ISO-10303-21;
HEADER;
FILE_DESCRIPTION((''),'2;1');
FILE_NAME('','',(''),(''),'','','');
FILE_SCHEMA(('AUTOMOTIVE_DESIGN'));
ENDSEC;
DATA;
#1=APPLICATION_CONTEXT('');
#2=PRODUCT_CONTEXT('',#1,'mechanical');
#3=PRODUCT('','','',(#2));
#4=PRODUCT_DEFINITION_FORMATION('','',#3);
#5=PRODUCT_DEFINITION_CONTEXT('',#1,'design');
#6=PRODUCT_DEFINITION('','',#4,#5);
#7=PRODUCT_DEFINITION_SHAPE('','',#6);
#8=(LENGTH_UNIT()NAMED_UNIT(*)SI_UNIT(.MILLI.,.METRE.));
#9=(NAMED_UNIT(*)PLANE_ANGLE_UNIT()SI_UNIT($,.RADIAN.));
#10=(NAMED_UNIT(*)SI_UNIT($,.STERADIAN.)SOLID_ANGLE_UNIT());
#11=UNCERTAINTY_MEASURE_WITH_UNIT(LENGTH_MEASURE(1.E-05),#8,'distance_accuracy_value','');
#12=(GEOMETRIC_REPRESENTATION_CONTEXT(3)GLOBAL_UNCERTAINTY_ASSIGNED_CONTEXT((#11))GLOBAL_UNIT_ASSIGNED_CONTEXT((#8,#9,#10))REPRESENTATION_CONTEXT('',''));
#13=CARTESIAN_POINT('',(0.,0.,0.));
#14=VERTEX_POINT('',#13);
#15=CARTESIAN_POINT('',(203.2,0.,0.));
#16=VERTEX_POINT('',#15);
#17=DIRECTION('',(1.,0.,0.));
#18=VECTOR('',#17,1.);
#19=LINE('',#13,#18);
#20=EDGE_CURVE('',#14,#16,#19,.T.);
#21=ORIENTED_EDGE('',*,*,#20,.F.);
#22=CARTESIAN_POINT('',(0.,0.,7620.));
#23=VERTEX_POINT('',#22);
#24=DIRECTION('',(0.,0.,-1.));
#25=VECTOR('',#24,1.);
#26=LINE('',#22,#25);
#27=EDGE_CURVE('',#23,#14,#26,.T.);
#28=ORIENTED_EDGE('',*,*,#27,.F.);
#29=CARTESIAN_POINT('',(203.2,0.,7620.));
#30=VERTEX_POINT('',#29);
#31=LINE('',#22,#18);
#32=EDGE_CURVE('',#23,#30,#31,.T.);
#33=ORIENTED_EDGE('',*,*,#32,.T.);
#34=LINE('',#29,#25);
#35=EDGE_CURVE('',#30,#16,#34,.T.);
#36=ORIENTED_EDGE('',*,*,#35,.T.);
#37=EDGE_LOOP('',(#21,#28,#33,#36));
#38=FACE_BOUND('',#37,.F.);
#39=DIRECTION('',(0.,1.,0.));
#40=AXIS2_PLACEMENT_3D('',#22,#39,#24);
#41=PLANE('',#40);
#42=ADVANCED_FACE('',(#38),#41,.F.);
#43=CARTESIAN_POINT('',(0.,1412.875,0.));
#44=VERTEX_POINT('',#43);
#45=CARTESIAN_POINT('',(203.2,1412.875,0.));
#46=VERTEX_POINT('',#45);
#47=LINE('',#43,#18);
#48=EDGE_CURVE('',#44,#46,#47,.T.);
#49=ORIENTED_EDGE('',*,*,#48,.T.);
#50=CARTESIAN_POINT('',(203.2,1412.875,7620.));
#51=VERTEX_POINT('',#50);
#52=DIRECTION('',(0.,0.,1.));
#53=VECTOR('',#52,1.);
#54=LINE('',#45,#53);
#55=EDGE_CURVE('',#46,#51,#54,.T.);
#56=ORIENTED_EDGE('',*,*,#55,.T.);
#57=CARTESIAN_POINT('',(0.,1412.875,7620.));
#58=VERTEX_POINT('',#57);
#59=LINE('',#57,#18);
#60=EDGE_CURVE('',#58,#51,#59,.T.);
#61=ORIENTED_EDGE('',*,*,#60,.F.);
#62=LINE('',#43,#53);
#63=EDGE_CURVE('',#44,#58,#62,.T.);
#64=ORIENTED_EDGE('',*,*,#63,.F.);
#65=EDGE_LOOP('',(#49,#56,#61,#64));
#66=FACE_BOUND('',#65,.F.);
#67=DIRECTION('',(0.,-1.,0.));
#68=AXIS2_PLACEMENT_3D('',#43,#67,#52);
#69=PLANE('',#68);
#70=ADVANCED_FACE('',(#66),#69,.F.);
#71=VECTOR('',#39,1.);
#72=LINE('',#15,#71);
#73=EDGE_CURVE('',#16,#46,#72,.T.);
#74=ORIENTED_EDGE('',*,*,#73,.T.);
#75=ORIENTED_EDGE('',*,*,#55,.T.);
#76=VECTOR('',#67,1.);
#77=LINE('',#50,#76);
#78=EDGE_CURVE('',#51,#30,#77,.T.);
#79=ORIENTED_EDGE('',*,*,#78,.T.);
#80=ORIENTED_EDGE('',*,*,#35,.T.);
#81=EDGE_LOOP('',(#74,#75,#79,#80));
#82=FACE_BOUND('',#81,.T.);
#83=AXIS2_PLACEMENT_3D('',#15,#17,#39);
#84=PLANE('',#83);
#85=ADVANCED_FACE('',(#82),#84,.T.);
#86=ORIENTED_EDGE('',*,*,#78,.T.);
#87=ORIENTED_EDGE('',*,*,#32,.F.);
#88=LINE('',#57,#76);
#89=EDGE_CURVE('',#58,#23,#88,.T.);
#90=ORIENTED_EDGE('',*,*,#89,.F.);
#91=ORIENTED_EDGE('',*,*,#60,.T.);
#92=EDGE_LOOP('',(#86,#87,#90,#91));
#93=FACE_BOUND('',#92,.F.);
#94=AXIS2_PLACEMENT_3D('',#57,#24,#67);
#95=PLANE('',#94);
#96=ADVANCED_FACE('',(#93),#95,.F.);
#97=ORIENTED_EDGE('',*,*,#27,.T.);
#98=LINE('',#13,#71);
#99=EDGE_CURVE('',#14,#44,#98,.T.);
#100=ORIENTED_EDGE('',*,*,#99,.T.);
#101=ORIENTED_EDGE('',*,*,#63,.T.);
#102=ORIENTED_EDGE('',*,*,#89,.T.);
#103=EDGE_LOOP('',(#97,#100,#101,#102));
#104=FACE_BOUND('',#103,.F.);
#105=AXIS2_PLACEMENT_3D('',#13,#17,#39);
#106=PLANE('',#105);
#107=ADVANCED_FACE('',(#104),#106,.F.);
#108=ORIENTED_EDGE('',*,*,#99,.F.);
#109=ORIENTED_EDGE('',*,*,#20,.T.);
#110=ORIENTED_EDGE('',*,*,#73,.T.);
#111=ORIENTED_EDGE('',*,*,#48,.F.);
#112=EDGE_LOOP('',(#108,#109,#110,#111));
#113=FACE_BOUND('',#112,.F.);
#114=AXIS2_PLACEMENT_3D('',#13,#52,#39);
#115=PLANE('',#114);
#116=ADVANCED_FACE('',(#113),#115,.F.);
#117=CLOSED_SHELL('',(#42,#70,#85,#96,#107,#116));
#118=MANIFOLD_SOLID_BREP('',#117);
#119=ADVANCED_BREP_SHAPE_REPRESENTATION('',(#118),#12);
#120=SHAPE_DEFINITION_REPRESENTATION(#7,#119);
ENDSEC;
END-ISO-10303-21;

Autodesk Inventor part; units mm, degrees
ref_plane "YZ Plane" through (0, 0, 0) normal (1, 0, 0) x (0, 1, 0)
ref_plane "XZ Plane" through (0, 0, 0) normal (0, 1, 0) x (-1, 0, 0)
ref_plane "XY Plane" through (0, 0, 0) normal (0, 0, 1) x (1, 0, 0)
sketch "Sketch1" plane through (0, 0, 0) normal (1, 0, 0) x (0, 1, 0)
  line L0 (0, 0) -> (1412.875, 0)
  line L1 (1412.875, 0) -> (1412.875, 7620)
  line L2 (1412.875, 7620) -> (0, 7620)
  line L3 (0, 7620) -> (0, 0)
  dimension "d2" = 1412.875
  dimension "d3" = 7620
extrude "Extrusion1" add sketch "Sketch1" along normal blind 203.2
properties part number "Foundation_Wall"
